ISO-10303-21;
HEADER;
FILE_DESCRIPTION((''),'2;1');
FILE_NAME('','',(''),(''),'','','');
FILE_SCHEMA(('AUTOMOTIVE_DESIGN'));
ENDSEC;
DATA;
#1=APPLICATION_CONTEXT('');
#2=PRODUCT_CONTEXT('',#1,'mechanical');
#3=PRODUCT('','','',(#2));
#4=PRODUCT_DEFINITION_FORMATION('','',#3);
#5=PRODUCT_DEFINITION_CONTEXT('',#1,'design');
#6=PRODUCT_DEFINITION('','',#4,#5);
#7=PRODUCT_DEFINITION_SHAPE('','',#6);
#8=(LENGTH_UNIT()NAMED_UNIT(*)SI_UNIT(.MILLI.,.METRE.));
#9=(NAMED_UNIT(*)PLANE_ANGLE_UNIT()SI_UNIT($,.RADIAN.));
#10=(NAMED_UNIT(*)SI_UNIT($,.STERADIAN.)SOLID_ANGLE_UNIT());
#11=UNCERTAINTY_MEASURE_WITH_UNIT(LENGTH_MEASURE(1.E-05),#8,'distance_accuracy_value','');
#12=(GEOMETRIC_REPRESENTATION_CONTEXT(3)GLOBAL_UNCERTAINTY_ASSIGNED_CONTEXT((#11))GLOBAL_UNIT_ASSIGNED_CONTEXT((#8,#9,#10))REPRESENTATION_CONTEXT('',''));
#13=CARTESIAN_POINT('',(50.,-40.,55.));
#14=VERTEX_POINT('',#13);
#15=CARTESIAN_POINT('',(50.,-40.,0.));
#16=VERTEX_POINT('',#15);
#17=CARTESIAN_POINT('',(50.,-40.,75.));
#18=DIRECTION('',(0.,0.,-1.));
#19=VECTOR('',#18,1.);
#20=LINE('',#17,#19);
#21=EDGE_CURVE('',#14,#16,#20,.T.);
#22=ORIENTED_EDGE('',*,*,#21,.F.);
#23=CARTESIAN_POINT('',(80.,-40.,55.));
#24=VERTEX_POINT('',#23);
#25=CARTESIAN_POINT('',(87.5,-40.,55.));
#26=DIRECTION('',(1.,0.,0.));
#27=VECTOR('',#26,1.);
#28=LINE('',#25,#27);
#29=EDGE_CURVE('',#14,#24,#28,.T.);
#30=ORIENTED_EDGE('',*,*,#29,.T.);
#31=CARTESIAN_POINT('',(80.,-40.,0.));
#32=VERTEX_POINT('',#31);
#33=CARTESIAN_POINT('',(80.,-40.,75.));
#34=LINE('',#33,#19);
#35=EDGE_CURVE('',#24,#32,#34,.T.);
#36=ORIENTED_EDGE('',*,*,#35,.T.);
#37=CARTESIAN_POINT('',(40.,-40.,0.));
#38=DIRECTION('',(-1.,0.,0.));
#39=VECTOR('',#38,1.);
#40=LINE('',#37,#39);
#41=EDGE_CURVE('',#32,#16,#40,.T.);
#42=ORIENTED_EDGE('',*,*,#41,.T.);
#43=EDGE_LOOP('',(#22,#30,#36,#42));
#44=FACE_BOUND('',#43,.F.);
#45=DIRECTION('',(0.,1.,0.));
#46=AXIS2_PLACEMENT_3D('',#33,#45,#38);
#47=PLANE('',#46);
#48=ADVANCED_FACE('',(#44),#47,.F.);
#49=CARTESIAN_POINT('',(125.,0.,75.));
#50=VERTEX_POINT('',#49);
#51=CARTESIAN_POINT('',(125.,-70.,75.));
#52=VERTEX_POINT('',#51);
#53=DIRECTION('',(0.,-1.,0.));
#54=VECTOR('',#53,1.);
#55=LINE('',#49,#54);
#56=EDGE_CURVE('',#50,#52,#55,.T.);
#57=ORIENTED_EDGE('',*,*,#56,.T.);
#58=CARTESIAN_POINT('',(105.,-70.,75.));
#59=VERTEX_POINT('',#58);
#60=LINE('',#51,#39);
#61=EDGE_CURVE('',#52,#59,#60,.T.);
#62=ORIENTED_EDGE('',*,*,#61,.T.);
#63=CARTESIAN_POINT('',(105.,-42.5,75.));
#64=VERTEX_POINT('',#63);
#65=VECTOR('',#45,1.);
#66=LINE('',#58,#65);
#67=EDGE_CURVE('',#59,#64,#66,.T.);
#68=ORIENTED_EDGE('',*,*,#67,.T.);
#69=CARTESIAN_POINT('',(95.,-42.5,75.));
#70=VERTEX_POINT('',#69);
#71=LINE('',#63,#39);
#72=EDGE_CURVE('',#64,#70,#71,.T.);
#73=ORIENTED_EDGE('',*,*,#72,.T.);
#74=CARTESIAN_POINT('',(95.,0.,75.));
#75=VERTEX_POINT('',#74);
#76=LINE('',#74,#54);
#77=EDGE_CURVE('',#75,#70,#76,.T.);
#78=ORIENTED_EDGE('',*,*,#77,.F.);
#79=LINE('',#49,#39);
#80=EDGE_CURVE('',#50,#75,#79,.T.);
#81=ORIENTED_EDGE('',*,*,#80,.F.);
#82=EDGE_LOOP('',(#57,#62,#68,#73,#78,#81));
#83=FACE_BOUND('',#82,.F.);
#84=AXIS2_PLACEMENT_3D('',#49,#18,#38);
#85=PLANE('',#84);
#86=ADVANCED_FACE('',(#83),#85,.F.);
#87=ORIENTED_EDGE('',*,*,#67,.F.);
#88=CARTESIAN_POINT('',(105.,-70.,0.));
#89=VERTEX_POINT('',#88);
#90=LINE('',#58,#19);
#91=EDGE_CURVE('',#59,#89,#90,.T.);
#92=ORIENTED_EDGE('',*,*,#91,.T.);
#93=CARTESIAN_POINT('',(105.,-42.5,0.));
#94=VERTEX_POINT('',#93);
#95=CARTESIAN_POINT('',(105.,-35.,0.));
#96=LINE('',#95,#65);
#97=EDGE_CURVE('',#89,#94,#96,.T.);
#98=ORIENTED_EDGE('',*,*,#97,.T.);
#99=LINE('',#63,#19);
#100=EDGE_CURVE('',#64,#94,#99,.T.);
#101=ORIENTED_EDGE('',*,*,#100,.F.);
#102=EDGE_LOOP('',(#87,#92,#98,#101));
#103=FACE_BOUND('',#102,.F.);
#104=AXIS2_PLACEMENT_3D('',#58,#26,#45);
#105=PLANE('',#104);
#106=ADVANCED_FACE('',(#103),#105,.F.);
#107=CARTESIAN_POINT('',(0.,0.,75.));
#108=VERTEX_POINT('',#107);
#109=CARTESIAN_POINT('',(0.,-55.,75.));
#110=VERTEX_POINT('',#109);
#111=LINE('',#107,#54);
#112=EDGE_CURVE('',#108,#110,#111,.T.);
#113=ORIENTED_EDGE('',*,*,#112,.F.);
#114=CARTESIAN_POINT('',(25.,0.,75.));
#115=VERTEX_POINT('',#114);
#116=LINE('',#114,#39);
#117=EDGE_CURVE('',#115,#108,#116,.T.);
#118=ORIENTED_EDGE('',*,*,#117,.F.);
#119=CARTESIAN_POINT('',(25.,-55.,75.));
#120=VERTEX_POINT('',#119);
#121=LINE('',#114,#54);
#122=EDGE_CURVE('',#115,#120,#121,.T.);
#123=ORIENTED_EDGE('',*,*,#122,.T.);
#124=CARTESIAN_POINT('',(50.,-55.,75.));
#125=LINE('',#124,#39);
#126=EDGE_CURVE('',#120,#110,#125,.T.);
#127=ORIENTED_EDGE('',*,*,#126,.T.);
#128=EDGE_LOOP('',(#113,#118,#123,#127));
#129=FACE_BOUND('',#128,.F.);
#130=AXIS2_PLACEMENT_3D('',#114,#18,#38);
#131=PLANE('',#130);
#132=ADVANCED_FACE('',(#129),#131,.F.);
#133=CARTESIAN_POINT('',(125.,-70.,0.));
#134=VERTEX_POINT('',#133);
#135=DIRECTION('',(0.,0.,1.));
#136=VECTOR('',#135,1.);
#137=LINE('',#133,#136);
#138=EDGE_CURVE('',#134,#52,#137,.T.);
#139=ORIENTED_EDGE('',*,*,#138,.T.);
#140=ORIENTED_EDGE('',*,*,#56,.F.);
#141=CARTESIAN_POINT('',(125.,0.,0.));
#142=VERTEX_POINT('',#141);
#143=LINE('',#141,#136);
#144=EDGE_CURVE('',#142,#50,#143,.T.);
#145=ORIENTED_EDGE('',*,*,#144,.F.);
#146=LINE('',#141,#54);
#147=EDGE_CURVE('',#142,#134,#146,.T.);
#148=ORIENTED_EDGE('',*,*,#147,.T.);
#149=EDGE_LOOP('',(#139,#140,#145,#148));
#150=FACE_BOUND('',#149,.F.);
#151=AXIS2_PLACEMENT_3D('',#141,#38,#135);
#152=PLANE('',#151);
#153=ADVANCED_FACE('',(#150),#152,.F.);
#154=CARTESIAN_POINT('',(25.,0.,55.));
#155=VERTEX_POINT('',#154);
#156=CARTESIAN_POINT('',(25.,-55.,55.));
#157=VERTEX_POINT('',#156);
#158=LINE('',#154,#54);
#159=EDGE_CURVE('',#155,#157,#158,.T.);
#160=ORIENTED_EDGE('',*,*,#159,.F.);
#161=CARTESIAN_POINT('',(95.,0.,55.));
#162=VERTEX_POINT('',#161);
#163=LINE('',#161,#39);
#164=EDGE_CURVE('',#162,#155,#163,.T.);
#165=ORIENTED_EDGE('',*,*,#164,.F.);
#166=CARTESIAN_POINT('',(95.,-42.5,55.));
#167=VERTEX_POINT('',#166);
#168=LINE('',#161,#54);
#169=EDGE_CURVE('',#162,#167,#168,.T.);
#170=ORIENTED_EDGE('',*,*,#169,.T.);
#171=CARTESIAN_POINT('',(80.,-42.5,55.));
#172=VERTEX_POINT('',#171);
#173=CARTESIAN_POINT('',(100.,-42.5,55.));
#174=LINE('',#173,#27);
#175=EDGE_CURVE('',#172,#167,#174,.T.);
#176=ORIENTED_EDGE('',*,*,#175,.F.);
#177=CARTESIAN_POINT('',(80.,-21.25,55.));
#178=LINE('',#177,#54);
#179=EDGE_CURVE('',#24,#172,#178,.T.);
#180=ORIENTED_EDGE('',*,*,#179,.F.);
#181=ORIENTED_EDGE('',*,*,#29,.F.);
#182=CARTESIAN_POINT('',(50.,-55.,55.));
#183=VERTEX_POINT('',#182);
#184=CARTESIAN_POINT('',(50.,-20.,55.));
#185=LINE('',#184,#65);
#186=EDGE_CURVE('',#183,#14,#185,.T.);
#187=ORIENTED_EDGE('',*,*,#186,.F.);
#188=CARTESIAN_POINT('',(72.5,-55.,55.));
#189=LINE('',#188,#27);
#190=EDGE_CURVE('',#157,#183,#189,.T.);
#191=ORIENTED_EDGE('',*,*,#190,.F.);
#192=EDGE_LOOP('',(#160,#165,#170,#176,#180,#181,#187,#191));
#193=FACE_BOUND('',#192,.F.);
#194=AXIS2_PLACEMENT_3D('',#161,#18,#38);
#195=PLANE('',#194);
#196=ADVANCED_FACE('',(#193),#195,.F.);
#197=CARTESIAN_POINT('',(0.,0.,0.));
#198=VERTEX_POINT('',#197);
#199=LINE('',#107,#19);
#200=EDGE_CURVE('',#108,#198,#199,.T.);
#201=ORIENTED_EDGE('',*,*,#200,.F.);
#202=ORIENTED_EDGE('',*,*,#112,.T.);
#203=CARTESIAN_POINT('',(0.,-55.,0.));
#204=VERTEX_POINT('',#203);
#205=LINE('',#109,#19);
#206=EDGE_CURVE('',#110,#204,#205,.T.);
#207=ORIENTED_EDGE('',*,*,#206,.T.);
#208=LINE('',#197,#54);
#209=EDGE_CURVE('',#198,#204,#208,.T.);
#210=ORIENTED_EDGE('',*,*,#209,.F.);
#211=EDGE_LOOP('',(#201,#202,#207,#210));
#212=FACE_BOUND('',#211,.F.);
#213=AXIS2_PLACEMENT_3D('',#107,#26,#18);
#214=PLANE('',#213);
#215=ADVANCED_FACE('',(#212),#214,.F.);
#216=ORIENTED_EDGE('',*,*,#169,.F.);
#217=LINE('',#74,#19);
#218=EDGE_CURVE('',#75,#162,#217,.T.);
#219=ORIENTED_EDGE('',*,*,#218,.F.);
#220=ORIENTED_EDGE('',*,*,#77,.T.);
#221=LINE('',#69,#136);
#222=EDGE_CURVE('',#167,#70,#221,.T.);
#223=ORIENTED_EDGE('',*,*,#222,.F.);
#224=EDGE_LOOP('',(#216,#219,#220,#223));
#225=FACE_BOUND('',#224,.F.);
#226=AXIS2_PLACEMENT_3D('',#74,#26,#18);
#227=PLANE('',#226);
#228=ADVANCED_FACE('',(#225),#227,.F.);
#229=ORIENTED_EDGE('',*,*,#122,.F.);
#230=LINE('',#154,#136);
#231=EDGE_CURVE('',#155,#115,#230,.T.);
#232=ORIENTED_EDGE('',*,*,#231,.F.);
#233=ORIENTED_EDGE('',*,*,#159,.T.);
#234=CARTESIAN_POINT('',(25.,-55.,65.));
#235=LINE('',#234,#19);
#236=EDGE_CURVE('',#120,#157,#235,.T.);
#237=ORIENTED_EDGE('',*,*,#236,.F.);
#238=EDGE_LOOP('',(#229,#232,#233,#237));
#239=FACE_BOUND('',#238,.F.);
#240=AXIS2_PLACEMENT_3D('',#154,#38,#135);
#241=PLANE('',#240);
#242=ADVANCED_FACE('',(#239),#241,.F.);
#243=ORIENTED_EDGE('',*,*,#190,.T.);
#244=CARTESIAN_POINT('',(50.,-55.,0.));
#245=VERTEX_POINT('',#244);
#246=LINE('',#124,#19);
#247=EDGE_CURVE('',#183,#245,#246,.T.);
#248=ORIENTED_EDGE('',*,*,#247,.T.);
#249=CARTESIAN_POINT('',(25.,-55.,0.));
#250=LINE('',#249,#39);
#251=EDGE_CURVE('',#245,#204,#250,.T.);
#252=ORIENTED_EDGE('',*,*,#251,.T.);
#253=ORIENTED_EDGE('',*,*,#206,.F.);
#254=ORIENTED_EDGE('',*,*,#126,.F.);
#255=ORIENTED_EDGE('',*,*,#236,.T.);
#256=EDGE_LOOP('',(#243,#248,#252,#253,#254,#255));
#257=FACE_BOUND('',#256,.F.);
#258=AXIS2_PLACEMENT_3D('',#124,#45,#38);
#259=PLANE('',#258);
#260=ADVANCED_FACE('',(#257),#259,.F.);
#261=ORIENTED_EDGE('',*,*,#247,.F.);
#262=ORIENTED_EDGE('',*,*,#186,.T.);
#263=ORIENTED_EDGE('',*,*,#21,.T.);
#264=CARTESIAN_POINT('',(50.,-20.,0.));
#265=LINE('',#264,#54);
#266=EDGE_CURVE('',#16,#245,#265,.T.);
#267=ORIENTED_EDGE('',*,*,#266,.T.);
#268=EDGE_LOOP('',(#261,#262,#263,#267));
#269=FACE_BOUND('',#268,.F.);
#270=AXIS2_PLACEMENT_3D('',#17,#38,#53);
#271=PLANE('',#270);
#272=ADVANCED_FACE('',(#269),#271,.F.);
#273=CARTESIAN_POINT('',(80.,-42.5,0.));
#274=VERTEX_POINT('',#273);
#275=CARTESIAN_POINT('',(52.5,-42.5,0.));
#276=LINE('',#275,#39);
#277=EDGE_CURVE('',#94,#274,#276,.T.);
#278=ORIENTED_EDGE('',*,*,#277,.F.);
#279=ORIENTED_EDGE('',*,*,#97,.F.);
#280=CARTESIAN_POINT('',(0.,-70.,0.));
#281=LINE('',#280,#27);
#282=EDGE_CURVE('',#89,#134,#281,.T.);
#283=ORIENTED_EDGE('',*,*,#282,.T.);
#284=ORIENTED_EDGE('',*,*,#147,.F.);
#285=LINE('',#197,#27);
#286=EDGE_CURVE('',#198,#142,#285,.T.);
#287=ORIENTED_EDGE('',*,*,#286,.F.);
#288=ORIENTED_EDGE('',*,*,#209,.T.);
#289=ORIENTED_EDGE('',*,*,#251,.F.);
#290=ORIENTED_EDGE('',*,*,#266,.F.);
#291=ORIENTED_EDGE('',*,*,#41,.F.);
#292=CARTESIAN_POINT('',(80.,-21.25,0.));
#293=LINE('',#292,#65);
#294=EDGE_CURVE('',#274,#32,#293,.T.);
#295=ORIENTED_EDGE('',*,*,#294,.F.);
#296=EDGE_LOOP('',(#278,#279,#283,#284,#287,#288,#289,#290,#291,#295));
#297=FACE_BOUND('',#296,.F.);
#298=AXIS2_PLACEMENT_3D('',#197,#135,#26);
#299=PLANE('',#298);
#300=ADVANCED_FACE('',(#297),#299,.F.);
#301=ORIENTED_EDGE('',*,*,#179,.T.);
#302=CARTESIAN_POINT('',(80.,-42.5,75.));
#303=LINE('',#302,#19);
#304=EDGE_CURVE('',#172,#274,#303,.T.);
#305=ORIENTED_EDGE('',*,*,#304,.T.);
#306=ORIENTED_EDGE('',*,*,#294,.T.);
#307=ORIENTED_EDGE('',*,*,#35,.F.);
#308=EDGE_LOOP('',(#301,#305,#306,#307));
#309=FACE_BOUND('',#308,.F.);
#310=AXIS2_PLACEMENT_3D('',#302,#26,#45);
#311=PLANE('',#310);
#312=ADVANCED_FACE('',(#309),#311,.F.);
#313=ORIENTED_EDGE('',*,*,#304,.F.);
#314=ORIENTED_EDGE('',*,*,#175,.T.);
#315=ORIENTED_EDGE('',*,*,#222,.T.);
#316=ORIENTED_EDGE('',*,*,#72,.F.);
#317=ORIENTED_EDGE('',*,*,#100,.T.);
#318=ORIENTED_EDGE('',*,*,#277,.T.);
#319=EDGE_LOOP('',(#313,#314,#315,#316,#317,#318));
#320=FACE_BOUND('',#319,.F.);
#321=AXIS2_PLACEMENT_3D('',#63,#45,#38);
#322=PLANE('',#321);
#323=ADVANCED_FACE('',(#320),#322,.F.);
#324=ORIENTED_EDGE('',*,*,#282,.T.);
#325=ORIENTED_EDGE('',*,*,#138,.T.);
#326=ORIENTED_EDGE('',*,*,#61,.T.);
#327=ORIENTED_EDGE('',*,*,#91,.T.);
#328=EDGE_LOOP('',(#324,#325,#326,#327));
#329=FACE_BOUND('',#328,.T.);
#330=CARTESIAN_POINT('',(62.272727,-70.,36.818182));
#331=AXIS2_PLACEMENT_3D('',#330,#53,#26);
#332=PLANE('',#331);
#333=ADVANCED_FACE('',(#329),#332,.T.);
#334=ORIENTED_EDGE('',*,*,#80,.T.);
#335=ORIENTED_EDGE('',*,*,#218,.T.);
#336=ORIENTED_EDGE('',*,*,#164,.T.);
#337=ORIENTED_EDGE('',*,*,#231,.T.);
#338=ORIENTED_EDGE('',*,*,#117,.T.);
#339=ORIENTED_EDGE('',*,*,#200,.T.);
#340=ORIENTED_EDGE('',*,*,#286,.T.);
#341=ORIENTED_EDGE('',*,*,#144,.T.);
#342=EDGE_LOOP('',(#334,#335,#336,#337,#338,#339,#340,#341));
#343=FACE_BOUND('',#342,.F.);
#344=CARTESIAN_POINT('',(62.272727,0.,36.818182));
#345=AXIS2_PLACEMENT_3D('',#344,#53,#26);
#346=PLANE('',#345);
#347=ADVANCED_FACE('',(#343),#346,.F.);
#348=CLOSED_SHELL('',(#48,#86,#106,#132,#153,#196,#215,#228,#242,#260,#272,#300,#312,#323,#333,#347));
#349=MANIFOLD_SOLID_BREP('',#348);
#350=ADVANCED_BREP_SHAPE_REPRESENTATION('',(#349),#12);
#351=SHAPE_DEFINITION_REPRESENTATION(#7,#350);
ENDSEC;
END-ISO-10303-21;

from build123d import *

# Parameters (mm, degrees)
F1_DEPTH = 70
F4_DEPTH = 75.001


with BuildPart() as f1:
    # F0 (on Front) → F1 (new body)
    with BuildSketch(Plane.XZ):
        Polygon((0, 75), (0, 0), (125, 0), (125, 75), (95, 75), (95, 55), (25, 55), (25, 75), align=None)
    extrude(amount=F1_DEPTH)

    # F3 (on offset) → F4 (cut, through all)
    with BuildSketch(Plane.XY.offset(75)):
        Polygon((50, -55), (0, -55), (0, -70), (105, -70), (105, -42.5), (80, -42.5), (80, -40), (50, -40), align=None)
    extrude(amount=-F4_DEPTH, mode=Mode.SUBTRACT)


solid = f1.part
